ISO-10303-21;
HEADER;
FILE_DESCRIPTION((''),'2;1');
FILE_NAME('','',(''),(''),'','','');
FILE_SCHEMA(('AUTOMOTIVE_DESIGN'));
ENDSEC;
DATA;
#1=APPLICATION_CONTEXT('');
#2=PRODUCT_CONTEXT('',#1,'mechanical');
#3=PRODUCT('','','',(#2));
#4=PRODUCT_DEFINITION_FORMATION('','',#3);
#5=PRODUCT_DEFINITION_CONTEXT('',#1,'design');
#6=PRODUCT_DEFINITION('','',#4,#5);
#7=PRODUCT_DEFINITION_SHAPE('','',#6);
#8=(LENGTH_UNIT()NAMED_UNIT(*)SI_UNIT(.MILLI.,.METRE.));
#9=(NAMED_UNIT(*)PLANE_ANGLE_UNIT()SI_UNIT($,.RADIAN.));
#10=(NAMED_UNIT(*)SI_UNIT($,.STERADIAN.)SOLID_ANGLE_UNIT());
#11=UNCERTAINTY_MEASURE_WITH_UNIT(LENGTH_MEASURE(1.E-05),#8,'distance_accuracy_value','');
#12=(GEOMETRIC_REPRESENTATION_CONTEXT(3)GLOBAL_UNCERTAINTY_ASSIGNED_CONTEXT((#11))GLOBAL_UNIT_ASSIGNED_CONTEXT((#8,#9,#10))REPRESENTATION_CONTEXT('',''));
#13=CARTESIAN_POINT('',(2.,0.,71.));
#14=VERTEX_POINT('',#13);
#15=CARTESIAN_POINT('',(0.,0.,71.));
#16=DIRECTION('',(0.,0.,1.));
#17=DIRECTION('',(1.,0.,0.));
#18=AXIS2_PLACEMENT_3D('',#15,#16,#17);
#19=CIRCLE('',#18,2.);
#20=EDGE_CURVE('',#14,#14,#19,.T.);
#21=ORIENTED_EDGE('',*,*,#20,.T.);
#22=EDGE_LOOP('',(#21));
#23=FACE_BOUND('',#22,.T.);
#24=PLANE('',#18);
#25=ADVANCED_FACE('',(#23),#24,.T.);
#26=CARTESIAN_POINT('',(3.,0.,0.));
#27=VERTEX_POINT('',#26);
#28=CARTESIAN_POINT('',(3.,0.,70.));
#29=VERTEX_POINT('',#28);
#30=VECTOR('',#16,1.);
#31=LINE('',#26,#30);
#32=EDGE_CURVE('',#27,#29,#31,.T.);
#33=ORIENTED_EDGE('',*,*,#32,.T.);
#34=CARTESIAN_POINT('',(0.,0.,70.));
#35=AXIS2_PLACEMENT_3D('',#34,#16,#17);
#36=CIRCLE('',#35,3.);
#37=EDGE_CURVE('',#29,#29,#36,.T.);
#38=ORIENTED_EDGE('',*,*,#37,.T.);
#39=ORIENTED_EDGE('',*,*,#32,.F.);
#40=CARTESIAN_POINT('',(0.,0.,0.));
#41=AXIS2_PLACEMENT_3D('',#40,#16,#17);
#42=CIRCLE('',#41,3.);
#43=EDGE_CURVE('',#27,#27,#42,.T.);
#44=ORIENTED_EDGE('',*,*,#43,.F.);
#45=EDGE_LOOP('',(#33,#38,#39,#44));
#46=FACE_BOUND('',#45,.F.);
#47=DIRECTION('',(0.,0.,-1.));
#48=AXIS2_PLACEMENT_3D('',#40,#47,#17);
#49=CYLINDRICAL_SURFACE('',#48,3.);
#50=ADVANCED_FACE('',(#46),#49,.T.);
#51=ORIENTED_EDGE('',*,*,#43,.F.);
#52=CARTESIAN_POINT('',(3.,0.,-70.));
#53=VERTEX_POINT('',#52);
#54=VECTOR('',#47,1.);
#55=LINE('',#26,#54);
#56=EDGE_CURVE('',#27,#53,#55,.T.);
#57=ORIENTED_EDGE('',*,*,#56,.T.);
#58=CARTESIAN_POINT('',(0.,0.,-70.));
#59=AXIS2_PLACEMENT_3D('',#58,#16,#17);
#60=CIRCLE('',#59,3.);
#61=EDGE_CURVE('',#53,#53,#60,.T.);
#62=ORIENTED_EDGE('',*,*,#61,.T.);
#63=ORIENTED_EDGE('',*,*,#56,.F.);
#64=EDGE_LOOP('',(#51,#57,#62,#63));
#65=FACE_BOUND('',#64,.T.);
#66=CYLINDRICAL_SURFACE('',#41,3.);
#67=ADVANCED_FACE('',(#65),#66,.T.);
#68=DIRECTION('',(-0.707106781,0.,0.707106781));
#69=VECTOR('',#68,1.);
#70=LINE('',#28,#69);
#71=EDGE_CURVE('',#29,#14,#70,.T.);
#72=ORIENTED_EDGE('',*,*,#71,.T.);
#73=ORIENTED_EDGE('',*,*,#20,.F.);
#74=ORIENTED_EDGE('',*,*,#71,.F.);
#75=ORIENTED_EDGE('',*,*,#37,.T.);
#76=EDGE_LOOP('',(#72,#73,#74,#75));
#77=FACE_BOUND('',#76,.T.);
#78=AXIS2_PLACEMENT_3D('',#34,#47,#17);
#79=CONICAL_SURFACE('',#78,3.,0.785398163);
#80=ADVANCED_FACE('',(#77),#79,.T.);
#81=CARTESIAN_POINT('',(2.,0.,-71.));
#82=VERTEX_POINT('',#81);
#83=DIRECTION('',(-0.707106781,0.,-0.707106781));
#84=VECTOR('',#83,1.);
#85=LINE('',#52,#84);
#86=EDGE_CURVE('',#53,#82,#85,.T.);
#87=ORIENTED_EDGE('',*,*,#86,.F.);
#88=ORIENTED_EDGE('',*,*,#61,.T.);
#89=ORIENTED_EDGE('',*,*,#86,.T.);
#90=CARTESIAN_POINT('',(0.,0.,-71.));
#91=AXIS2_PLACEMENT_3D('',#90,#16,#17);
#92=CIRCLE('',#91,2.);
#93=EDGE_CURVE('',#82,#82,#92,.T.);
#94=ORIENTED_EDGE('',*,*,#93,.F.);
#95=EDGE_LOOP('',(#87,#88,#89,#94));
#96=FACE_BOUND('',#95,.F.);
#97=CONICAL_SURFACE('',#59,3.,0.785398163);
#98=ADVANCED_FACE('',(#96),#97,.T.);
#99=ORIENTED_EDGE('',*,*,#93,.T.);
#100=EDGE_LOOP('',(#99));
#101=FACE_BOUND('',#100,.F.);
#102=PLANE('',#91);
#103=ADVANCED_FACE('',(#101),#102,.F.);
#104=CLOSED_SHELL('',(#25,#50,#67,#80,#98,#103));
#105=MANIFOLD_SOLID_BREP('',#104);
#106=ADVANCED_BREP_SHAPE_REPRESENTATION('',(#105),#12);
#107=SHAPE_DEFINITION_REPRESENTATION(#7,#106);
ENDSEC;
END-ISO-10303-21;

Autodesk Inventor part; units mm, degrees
ref_plane "YZ Plane" through (0, 0, 0) normal (1, 0, 0) x (0, 1, 0)
ref_plane "XZ Plane" through (0, 0, 0) normal (0, 1, 0) x (-1, 0, 0)
ref_plane "XY Plane" through (0, 0, 0) normal (0, 0, 1) x (1, 0, 0)
sketch "Skizze1" plane through (0, 0, 0) normal (0, 0, 1) x (1, 0, 0)
  circle A0 centre (0, 0) radius 3
  dimension "d0" = 6
extrude "Extrusion1" add sketch "Skizze1" along normal mid plane 142
chamfer "Fase1" distance 1 angle 45 2 edges at (-3, 0, 71) (-3, 0, -71)
properties part number "rod (G061210000)"
